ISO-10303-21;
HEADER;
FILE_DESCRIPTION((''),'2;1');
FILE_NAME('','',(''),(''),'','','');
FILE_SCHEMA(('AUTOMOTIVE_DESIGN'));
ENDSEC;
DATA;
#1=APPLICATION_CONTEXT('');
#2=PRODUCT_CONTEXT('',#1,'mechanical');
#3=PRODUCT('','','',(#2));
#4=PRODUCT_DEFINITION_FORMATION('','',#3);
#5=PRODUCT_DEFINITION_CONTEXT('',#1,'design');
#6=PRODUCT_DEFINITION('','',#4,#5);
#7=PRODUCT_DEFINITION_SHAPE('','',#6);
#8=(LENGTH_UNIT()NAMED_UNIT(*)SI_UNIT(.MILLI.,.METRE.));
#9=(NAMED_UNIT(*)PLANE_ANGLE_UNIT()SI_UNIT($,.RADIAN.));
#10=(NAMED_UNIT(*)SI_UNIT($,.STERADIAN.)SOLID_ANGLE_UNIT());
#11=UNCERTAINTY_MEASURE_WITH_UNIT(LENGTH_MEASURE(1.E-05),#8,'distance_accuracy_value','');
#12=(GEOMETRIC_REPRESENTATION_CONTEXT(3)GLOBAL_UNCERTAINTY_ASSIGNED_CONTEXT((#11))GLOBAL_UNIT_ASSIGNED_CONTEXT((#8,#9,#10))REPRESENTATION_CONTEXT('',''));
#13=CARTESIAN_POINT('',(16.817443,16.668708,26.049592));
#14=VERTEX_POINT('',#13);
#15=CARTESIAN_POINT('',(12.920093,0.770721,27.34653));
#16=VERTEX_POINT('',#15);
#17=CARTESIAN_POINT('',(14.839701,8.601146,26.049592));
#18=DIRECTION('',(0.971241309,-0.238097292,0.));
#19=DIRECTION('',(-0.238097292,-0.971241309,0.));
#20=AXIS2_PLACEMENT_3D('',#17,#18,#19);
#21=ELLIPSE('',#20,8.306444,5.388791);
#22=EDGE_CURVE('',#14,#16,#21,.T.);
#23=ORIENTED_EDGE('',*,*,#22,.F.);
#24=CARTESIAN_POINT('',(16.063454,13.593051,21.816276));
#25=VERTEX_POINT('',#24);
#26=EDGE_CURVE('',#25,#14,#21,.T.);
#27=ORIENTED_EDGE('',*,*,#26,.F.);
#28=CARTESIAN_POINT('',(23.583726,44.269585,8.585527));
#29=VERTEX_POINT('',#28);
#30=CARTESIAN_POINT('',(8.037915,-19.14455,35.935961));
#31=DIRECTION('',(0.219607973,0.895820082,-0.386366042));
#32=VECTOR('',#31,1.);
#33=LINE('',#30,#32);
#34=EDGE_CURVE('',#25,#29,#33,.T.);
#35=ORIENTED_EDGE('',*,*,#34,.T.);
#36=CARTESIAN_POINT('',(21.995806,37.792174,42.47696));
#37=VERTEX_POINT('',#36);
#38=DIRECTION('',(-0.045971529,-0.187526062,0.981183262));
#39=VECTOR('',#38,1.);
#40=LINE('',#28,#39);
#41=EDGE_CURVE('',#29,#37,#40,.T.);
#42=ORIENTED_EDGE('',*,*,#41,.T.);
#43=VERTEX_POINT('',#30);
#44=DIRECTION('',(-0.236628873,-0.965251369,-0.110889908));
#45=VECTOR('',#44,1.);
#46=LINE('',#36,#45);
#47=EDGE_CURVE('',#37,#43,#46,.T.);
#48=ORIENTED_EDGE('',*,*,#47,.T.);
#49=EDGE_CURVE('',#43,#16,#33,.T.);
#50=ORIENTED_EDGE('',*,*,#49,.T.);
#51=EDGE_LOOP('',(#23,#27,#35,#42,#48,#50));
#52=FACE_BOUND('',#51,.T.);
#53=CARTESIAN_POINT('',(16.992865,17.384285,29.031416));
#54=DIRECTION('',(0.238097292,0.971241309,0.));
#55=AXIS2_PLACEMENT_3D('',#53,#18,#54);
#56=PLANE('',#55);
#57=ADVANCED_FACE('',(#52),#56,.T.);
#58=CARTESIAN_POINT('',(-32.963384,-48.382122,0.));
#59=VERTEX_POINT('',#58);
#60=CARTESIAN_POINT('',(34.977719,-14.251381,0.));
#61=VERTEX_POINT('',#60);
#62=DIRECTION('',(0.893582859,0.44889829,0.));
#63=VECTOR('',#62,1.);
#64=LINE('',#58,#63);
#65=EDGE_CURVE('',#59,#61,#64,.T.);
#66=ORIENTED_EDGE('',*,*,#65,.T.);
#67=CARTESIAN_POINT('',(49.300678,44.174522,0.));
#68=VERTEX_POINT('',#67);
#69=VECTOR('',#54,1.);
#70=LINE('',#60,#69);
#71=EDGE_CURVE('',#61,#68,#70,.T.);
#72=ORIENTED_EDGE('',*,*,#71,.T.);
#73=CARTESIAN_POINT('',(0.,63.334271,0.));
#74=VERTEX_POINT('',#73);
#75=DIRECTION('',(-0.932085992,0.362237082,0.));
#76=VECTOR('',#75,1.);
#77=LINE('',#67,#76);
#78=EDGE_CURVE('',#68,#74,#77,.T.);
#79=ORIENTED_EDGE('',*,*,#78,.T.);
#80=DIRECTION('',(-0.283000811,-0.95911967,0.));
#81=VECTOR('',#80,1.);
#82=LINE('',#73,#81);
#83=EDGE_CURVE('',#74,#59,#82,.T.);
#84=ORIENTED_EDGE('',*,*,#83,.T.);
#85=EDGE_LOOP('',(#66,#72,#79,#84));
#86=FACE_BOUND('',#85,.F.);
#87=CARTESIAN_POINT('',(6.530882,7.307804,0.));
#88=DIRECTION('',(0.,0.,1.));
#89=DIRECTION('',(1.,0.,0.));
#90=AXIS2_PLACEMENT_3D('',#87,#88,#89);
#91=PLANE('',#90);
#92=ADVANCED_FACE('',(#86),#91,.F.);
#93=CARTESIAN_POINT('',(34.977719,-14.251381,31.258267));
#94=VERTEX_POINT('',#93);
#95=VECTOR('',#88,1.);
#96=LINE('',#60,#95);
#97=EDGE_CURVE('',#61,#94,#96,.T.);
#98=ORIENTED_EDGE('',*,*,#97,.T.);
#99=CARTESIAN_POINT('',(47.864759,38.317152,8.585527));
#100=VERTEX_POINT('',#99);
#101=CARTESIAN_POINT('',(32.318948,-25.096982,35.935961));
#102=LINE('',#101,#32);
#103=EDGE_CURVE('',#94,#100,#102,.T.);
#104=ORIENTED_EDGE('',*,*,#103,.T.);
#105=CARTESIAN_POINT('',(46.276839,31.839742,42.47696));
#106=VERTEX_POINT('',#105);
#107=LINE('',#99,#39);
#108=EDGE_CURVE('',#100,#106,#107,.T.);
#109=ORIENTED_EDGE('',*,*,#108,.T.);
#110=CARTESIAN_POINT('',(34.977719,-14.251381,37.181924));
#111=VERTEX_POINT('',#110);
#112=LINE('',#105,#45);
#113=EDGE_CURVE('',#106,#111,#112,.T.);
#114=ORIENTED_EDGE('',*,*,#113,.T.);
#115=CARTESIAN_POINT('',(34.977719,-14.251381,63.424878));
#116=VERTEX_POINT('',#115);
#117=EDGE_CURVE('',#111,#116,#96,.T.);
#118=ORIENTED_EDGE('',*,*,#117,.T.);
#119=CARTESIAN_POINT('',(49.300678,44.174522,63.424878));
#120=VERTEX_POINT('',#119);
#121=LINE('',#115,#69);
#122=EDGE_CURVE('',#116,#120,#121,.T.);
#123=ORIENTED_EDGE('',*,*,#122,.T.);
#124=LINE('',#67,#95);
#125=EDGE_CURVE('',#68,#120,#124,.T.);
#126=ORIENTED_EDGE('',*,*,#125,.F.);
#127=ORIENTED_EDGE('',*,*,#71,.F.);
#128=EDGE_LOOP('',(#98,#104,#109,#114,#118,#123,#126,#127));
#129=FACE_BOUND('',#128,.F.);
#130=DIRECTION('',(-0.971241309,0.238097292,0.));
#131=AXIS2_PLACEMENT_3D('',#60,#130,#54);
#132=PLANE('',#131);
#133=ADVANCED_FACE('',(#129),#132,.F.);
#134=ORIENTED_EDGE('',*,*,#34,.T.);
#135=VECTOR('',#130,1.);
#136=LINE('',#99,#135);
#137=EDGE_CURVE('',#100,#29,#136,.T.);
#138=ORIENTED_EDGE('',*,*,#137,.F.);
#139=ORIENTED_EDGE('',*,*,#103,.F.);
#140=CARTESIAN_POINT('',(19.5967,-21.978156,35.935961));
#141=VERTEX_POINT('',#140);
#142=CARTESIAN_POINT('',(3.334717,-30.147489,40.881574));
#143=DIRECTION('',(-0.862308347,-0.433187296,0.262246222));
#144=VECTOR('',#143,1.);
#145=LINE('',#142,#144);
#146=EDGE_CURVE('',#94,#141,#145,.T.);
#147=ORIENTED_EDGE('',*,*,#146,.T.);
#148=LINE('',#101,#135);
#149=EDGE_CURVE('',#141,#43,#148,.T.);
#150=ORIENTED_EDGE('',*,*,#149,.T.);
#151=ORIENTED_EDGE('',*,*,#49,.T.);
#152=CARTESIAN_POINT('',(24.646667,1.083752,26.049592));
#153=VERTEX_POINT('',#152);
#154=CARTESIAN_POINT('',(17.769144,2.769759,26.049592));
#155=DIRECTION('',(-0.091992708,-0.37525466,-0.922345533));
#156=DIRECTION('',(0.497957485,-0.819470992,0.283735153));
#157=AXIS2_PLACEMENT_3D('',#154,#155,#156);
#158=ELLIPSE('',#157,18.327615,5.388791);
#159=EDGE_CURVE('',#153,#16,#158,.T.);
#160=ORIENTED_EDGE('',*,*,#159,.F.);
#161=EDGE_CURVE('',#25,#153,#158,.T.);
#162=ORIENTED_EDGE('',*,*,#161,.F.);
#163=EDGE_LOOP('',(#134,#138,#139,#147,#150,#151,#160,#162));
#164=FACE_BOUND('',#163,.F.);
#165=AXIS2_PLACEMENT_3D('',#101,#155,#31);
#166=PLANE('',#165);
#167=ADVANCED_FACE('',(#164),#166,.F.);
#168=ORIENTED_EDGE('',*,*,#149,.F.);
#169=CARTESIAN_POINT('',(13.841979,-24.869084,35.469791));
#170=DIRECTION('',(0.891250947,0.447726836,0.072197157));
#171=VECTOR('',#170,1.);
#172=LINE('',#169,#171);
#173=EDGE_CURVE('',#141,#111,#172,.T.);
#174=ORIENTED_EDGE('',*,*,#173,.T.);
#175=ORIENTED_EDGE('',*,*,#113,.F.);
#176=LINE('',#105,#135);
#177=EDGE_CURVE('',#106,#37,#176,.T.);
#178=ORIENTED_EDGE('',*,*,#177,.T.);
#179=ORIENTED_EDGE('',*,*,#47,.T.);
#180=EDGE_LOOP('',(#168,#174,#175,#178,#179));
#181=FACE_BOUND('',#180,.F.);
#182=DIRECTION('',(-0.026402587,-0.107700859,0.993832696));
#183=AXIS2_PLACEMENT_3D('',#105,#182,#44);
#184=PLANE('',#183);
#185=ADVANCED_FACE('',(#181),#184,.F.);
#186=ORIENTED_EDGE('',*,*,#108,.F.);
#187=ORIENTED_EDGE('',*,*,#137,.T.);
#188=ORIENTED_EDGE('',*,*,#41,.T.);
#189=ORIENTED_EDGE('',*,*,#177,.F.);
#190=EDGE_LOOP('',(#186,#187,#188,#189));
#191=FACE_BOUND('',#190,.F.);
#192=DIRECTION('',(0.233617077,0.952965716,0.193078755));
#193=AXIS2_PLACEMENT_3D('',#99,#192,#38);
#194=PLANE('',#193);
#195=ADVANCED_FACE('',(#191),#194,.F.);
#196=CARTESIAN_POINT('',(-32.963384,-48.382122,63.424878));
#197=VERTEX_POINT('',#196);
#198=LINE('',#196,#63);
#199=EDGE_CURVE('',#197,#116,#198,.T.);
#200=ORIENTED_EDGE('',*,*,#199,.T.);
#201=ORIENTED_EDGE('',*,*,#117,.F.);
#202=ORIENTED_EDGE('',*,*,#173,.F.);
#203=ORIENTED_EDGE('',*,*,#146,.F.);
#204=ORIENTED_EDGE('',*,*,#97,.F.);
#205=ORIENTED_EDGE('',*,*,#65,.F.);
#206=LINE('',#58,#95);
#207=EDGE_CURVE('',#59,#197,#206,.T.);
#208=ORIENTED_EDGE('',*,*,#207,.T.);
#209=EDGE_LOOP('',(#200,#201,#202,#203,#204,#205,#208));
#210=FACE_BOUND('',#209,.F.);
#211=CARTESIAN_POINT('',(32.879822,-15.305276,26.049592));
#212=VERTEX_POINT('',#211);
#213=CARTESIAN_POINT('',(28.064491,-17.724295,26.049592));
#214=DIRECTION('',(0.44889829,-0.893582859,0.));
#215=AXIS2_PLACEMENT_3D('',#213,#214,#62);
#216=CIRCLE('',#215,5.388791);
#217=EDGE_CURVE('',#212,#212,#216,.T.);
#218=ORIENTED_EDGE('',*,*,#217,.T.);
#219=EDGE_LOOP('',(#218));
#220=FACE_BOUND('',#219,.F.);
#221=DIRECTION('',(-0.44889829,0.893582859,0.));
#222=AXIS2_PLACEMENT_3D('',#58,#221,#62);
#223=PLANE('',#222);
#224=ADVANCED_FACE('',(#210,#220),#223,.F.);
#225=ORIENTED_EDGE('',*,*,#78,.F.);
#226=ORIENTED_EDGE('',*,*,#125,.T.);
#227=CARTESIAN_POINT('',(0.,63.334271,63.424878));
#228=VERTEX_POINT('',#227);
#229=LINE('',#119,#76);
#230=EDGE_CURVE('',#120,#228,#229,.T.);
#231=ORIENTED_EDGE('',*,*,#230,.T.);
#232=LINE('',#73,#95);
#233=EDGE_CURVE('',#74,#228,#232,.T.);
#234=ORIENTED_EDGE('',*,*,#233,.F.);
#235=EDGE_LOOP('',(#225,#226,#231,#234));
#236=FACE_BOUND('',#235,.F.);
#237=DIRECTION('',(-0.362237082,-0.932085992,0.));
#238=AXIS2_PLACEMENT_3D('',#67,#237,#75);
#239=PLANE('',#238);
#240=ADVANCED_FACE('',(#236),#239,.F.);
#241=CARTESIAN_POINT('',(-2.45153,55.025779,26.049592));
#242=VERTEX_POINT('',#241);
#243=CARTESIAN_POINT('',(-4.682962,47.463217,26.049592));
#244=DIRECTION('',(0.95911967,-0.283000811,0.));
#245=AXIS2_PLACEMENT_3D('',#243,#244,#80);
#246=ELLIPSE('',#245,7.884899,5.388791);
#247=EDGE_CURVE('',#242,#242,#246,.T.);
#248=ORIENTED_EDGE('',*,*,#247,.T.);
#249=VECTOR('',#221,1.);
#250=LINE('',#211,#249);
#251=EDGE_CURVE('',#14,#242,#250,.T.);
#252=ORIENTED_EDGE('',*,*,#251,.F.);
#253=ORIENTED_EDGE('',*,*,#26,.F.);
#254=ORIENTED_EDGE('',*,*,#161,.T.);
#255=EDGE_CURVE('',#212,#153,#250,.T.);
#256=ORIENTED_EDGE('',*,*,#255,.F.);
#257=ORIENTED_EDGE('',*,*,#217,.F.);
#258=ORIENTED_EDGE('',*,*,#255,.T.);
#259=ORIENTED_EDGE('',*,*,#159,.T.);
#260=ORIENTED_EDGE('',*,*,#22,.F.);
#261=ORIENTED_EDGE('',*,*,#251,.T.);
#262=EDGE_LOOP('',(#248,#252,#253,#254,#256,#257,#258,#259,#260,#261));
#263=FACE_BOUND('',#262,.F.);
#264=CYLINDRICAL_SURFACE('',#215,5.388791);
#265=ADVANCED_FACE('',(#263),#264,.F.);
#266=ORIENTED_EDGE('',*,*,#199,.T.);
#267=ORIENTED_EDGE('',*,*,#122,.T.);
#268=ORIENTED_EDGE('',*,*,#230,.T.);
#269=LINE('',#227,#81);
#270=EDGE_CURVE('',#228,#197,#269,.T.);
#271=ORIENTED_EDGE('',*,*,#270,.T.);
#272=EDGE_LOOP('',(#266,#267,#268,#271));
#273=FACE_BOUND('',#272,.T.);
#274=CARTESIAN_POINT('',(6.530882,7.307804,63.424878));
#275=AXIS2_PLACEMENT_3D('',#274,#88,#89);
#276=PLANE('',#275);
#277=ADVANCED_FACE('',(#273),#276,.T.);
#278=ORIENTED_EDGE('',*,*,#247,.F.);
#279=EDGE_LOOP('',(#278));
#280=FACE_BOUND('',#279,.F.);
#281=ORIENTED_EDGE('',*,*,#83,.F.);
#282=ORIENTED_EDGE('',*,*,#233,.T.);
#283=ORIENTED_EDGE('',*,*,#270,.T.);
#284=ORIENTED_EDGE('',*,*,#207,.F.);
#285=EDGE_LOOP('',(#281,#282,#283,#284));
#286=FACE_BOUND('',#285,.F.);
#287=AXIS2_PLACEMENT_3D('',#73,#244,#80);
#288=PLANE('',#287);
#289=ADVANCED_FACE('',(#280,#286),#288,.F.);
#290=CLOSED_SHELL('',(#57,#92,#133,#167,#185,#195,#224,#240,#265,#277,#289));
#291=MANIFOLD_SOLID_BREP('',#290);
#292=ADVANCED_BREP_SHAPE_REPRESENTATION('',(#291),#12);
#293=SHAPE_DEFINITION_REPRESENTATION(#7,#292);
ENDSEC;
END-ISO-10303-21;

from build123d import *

# Parameters (mm, degrees)
F1_DEPTH = 63.4248778224
F2_R     = 5.3887909161
F3_DEPTH = 102.1241396666
F6_DEPTH = 25


with BuildPart() as f1:
    # F0 (on Top) → F1 (new body)
    with BuildSketch(Plane.XY):
        Polygon((-32.9633839428, -48.3821220696), (34.9777191877, -14.2513811588), (49.3006780744, 44.1745221615), (0, 63.3342713118), align=None)
    extrude(amount=F1_DEPTH)

    # F2 (on face) → F3 (cut)
    with BuildSketch(Plane(origin=(12.7649742408, -25.4101261271, 0), x_dir=(0.8935828585, 0.4488982902, 0), z_dir=(0.4488982902, -0.8935828585, 0))):
        with Locations((17.1215422451, 26.0495916009)):
            Circle(F2_R)
    extrude(amount=-F3_DEPTH, mode=Mode.SUBTRACT)

    # F5 (on face) → F6 (cut)
    with BuildSketch(Plane(origin=(36.2904519106, -8.8965103003, 0), x_dir=(0.2380972915, 0.9712413087, 0), z_dir=(0.9712413087, -0.2380972915, 0))):
        Polygon((48.6116707325, 8.5855266079), (41.9424623251, 42.4769595265), (-16.6801717132, 35.93596071), align=None)
    extrude(amount=-F6_DEPTH, mode=Mode.SUBTRACT)


solid = f1.part
